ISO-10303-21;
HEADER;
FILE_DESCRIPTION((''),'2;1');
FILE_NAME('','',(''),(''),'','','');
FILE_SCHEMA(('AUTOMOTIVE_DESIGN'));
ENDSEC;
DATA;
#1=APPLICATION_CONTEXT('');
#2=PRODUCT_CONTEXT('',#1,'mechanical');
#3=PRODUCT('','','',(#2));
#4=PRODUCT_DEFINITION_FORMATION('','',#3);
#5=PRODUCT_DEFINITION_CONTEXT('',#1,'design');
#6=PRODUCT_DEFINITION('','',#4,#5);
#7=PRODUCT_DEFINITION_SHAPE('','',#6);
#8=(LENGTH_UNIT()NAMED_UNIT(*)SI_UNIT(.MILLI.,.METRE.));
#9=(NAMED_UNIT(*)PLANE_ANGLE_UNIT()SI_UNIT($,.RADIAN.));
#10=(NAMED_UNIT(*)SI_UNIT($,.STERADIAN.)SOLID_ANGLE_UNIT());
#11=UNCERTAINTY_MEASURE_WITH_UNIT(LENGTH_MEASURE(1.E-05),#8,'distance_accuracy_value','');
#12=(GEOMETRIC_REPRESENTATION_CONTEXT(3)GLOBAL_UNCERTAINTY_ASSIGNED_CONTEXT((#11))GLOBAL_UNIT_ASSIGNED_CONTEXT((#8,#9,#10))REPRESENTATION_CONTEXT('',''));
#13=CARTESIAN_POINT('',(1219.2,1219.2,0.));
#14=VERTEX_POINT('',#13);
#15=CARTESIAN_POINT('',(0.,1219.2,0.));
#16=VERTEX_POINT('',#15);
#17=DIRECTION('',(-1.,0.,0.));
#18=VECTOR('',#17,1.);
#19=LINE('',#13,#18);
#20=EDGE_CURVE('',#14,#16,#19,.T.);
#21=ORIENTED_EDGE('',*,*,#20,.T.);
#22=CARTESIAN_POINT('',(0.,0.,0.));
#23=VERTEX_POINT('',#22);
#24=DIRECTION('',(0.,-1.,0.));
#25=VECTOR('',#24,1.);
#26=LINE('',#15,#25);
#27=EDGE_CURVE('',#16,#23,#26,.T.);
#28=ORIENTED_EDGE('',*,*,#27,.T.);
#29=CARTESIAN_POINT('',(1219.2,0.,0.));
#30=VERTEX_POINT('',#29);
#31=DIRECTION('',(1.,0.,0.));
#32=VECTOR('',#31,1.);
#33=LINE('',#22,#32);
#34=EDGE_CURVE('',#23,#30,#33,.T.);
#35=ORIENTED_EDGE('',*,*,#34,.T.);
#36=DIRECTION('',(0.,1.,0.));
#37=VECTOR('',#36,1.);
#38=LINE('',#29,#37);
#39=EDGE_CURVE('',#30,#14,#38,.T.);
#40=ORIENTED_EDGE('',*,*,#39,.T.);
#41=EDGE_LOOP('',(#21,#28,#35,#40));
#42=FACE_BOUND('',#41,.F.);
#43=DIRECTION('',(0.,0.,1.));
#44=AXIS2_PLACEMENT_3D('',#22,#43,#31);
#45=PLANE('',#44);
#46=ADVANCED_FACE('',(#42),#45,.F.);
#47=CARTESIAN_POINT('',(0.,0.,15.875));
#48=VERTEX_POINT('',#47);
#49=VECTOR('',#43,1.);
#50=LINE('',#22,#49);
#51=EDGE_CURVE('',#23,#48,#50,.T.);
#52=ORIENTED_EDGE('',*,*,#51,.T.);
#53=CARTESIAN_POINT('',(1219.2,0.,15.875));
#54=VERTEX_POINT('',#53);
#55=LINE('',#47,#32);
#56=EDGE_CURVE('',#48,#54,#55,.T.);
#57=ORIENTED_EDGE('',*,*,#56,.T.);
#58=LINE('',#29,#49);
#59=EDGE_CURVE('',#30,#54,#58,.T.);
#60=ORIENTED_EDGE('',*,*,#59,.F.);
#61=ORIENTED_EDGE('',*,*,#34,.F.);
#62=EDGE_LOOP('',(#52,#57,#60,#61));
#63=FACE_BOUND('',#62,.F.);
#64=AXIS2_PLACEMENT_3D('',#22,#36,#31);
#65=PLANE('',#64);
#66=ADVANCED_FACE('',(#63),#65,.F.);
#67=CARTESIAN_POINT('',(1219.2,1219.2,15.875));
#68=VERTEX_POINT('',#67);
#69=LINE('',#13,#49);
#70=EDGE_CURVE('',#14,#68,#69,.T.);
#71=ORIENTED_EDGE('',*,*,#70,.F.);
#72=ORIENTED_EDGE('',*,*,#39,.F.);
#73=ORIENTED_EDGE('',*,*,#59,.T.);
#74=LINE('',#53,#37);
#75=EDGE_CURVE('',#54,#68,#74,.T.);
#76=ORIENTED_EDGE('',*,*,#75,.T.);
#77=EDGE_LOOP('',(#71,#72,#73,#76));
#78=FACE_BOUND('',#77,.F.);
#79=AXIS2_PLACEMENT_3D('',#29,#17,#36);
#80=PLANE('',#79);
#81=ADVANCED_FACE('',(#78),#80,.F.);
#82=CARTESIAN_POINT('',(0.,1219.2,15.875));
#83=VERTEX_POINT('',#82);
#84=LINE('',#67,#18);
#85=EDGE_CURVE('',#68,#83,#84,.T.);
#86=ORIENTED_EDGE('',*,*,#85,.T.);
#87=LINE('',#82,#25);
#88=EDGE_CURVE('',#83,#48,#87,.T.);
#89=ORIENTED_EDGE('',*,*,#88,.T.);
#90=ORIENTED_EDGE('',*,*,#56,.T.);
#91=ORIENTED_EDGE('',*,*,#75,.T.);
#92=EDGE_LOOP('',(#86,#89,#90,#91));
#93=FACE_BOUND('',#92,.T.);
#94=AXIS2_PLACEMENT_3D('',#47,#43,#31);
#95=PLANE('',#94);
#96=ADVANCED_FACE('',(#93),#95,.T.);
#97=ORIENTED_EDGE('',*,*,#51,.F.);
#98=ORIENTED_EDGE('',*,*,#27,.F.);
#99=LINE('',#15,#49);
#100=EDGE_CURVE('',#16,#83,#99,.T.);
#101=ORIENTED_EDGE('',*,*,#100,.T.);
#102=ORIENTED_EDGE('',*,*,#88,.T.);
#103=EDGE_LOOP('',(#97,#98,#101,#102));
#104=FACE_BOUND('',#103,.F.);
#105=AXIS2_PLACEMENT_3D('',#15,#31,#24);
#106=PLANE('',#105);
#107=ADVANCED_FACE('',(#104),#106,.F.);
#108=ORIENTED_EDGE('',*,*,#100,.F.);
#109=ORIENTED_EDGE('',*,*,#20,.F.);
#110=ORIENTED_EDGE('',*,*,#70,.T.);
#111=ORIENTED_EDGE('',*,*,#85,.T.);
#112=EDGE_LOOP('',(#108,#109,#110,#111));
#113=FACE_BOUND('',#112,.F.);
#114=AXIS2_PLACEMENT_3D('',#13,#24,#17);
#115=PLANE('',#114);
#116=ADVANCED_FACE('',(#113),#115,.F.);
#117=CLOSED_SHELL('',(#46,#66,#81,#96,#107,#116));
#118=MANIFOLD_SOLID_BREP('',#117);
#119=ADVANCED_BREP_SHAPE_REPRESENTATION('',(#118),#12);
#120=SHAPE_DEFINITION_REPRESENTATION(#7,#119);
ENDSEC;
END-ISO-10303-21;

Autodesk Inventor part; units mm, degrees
ref_plane "YZ Plane" through (0, 0, 0) normal (1, 0, 0) x (0, 1, 0)
ref_plane "XZ Plane" through (0, 0, 0) normal (0, 1, 0) x (-1, 0, 0)
ref_plane "XY Plane" through (0, 0, 0) normal (0, 0, 1) x (1, 0, 0)
sketch "Sketch1" plane through (0, 0, 0) normal (0, 0, 1) x (1, 0, 0)
  line L0 (0, 0) -> (1219.2, 0)
  line L1 (1219.2, 0) -> (1219.2, 1219.2)
  line L2 (1219.2, 1219.2) -> (0, 1219.2)
  line L3 (0, 1219.2) -> (0, 0)
  dimension "d0" = 1219.2
  dimension "d1" = 1219.2
extrude "Extrusion1" add sketch "Sketch1" along normal blind 15.875
properties part number "4x4 gyp board"
